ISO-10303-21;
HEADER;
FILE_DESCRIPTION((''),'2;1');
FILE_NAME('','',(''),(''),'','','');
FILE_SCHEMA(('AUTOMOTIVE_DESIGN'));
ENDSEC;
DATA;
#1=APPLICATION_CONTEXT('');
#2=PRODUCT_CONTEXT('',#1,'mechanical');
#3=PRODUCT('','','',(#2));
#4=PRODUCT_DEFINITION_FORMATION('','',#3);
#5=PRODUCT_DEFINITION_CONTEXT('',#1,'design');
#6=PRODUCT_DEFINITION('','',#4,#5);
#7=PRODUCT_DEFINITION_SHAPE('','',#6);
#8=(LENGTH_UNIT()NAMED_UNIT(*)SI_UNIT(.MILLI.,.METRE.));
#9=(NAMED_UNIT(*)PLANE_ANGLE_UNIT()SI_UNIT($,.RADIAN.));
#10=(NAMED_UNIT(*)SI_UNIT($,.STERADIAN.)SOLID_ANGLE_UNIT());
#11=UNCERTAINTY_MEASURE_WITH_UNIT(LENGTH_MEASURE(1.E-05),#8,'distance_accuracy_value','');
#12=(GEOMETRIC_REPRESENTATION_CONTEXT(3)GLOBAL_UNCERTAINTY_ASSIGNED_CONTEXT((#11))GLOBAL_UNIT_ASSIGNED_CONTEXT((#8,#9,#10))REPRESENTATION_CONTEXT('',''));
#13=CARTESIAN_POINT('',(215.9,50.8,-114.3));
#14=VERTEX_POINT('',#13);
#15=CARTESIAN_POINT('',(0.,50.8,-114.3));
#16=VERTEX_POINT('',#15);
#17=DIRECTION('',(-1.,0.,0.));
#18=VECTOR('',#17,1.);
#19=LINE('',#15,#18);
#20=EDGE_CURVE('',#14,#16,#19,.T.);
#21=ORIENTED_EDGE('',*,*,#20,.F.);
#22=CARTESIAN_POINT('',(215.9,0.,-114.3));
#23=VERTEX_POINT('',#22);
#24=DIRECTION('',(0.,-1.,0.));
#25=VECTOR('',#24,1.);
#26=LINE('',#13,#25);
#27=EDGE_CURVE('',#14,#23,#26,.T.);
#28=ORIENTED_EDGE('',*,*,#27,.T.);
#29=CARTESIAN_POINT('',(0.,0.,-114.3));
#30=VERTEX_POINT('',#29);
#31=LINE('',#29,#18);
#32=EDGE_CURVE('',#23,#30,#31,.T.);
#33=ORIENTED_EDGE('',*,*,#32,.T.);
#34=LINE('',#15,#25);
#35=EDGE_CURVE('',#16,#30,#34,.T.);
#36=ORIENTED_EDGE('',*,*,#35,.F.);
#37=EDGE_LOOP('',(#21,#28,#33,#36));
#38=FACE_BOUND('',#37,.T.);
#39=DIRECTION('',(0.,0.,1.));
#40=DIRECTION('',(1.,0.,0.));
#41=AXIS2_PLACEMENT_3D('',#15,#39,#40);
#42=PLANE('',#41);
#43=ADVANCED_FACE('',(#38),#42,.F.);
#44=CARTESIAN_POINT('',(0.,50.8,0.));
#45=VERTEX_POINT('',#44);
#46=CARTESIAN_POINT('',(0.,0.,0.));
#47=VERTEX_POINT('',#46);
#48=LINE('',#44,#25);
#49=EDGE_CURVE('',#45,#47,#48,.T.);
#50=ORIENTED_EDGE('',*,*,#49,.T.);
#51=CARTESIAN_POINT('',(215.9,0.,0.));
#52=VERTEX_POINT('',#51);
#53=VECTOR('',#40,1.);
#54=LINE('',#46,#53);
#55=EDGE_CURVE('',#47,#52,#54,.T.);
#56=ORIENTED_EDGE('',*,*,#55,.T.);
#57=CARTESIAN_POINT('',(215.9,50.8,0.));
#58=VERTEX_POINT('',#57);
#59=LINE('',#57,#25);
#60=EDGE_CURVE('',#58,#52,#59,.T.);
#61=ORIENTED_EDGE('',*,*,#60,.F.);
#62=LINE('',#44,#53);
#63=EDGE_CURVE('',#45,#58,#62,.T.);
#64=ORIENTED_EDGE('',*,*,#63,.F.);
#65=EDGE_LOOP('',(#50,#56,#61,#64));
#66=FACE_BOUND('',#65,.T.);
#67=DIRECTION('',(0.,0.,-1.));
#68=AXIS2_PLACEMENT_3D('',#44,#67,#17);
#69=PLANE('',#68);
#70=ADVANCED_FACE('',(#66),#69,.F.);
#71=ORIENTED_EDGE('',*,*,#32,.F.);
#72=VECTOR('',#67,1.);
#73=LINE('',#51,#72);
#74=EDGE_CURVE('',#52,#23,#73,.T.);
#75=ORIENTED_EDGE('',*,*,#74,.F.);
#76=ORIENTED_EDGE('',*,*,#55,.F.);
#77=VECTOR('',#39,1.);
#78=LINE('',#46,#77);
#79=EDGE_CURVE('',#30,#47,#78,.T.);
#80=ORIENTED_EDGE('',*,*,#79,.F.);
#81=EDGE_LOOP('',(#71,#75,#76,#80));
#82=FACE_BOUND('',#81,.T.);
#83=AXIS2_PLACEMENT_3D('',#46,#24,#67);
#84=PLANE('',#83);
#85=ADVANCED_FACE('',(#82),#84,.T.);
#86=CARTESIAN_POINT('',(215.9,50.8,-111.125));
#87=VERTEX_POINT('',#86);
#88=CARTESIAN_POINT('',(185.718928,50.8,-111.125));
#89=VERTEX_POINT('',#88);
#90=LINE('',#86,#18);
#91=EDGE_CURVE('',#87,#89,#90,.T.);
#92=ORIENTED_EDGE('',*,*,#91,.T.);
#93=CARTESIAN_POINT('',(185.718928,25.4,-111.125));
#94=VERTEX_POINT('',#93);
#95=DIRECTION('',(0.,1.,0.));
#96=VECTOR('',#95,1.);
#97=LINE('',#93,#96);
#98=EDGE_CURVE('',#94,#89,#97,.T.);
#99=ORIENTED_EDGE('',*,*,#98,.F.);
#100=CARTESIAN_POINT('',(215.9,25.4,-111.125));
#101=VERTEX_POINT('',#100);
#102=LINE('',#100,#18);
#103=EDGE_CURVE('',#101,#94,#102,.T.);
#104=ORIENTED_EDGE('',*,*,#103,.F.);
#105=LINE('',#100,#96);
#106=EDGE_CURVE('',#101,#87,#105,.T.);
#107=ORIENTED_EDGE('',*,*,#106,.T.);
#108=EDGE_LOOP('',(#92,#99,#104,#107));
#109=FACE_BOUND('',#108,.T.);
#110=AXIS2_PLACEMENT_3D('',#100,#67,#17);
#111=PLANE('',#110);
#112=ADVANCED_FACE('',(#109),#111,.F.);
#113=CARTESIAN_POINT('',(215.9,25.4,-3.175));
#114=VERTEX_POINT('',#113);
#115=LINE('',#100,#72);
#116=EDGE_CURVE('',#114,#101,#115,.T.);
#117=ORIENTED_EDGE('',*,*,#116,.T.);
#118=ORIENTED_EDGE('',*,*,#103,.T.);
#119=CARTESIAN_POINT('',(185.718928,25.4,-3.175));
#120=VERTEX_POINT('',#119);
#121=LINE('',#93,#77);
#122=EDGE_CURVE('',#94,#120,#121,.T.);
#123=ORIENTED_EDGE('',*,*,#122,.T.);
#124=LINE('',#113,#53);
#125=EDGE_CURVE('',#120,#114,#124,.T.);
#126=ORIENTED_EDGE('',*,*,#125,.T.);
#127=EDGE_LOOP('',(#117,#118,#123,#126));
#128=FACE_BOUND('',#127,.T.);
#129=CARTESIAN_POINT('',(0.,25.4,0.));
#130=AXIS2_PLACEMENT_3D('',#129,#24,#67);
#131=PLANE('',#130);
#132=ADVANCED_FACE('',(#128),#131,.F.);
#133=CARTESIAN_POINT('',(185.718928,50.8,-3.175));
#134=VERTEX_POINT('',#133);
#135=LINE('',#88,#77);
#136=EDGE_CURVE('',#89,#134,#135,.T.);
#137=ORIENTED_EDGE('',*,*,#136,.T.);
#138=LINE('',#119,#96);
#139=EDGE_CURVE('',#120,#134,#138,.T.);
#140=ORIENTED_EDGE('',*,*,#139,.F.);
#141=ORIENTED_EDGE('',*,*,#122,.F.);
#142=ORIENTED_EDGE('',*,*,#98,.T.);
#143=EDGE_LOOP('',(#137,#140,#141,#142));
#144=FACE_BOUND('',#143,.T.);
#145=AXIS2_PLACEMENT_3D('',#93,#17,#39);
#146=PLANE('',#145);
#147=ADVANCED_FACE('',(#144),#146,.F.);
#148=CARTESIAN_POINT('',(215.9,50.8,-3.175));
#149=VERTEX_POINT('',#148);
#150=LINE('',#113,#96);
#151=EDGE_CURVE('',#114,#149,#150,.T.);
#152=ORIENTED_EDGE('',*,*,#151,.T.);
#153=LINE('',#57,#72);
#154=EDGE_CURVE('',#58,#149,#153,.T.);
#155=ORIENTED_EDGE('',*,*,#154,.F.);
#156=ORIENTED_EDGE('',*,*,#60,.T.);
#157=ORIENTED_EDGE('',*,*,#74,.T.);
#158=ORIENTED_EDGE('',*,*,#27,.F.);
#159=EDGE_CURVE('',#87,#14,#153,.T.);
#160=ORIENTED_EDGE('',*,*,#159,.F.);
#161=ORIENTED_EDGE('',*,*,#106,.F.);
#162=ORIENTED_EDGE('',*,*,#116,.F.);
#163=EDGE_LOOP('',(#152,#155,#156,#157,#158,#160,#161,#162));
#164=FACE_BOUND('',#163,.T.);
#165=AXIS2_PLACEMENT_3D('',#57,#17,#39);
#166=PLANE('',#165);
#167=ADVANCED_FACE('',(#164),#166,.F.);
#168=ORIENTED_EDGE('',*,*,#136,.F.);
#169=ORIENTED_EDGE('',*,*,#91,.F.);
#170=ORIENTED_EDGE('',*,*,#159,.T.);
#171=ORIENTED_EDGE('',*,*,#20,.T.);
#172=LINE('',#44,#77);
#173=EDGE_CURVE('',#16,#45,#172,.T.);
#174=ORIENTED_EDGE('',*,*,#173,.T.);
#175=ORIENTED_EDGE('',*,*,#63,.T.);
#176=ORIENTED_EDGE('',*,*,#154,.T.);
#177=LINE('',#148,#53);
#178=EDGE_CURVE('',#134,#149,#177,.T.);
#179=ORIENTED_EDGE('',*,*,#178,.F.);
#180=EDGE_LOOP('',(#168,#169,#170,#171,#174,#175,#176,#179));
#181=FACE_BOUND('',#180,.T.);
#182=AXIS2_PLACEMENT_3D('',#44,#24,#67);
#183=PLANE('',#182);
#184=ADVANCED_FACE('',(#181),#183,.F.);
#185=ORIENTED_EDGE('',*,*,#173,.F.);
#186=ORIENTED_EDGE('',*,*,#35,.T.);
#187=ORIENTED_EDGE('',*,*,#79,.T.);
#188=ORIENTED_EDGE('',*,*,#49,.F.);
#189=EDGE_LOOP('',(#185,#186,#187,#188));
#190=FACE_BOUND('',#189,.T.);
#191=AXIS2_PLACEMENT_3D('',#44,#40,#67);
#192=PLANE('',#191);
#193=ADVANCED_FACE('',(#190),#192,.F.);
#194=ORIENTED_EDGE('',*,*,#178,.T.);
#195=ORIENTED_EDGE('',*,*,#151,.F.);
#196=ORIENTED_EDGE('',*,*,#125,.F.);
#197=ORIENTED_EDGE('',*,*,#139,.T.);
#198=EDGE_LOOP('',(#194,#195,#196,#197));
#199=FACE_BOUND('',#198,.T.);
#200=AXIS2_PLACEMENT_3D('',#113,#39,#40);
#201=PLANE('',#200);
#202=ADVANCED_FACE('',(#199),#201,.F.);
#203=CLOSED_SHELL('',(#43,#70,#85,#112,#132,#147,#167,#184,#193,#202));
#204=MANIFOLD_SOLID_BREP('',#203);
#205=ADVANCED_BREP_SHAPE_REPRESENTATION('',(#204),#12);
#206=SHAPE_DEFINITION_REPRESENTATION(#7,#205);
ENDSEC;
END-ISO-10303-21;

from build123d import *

# Parameters (mm, degrees)
SKETCH1_W           = 215.9
SKETCH1_H           = 114.3
BOSS_EXTRUDE1_DEPTH = 50.8
SKETCH2_W           = 30.181071633
SKETCH2_H           = 107.95
CUT_EXTRUDE1_DEPTH  = 25.4


with BuildPart() as part:
    # Sketch1 → Boss-Extrude1 (new body)
    with BuildSketch(Plane(origin=(0, 0, 0), x_dir=(1, 0, 0), z_dir=(0, 1, 0))):
        with Locations((107.95, 57.15)):
            Rectangle(SKETCH1_W, SKETCH1_H)
    extrude(amount=BOSS_EXTRUDE1_DEPTH)

    # Sketch2 → Cut-Extrude1 (cut)
    with BuildSketch(Plane(origin=(0, 50.8, 0), x_dir=(1, 0, 0), z_dir=(0, 1, 0))):
        with Locations((200.809464184, 57.15)):
            Rectangle(SKETCH2_W, SKETCH2_H)
    extrude(amount=-CUT_EXTRUDE1_DEPTH, mode=Mode.SUBTRACT)


solid = part.part
